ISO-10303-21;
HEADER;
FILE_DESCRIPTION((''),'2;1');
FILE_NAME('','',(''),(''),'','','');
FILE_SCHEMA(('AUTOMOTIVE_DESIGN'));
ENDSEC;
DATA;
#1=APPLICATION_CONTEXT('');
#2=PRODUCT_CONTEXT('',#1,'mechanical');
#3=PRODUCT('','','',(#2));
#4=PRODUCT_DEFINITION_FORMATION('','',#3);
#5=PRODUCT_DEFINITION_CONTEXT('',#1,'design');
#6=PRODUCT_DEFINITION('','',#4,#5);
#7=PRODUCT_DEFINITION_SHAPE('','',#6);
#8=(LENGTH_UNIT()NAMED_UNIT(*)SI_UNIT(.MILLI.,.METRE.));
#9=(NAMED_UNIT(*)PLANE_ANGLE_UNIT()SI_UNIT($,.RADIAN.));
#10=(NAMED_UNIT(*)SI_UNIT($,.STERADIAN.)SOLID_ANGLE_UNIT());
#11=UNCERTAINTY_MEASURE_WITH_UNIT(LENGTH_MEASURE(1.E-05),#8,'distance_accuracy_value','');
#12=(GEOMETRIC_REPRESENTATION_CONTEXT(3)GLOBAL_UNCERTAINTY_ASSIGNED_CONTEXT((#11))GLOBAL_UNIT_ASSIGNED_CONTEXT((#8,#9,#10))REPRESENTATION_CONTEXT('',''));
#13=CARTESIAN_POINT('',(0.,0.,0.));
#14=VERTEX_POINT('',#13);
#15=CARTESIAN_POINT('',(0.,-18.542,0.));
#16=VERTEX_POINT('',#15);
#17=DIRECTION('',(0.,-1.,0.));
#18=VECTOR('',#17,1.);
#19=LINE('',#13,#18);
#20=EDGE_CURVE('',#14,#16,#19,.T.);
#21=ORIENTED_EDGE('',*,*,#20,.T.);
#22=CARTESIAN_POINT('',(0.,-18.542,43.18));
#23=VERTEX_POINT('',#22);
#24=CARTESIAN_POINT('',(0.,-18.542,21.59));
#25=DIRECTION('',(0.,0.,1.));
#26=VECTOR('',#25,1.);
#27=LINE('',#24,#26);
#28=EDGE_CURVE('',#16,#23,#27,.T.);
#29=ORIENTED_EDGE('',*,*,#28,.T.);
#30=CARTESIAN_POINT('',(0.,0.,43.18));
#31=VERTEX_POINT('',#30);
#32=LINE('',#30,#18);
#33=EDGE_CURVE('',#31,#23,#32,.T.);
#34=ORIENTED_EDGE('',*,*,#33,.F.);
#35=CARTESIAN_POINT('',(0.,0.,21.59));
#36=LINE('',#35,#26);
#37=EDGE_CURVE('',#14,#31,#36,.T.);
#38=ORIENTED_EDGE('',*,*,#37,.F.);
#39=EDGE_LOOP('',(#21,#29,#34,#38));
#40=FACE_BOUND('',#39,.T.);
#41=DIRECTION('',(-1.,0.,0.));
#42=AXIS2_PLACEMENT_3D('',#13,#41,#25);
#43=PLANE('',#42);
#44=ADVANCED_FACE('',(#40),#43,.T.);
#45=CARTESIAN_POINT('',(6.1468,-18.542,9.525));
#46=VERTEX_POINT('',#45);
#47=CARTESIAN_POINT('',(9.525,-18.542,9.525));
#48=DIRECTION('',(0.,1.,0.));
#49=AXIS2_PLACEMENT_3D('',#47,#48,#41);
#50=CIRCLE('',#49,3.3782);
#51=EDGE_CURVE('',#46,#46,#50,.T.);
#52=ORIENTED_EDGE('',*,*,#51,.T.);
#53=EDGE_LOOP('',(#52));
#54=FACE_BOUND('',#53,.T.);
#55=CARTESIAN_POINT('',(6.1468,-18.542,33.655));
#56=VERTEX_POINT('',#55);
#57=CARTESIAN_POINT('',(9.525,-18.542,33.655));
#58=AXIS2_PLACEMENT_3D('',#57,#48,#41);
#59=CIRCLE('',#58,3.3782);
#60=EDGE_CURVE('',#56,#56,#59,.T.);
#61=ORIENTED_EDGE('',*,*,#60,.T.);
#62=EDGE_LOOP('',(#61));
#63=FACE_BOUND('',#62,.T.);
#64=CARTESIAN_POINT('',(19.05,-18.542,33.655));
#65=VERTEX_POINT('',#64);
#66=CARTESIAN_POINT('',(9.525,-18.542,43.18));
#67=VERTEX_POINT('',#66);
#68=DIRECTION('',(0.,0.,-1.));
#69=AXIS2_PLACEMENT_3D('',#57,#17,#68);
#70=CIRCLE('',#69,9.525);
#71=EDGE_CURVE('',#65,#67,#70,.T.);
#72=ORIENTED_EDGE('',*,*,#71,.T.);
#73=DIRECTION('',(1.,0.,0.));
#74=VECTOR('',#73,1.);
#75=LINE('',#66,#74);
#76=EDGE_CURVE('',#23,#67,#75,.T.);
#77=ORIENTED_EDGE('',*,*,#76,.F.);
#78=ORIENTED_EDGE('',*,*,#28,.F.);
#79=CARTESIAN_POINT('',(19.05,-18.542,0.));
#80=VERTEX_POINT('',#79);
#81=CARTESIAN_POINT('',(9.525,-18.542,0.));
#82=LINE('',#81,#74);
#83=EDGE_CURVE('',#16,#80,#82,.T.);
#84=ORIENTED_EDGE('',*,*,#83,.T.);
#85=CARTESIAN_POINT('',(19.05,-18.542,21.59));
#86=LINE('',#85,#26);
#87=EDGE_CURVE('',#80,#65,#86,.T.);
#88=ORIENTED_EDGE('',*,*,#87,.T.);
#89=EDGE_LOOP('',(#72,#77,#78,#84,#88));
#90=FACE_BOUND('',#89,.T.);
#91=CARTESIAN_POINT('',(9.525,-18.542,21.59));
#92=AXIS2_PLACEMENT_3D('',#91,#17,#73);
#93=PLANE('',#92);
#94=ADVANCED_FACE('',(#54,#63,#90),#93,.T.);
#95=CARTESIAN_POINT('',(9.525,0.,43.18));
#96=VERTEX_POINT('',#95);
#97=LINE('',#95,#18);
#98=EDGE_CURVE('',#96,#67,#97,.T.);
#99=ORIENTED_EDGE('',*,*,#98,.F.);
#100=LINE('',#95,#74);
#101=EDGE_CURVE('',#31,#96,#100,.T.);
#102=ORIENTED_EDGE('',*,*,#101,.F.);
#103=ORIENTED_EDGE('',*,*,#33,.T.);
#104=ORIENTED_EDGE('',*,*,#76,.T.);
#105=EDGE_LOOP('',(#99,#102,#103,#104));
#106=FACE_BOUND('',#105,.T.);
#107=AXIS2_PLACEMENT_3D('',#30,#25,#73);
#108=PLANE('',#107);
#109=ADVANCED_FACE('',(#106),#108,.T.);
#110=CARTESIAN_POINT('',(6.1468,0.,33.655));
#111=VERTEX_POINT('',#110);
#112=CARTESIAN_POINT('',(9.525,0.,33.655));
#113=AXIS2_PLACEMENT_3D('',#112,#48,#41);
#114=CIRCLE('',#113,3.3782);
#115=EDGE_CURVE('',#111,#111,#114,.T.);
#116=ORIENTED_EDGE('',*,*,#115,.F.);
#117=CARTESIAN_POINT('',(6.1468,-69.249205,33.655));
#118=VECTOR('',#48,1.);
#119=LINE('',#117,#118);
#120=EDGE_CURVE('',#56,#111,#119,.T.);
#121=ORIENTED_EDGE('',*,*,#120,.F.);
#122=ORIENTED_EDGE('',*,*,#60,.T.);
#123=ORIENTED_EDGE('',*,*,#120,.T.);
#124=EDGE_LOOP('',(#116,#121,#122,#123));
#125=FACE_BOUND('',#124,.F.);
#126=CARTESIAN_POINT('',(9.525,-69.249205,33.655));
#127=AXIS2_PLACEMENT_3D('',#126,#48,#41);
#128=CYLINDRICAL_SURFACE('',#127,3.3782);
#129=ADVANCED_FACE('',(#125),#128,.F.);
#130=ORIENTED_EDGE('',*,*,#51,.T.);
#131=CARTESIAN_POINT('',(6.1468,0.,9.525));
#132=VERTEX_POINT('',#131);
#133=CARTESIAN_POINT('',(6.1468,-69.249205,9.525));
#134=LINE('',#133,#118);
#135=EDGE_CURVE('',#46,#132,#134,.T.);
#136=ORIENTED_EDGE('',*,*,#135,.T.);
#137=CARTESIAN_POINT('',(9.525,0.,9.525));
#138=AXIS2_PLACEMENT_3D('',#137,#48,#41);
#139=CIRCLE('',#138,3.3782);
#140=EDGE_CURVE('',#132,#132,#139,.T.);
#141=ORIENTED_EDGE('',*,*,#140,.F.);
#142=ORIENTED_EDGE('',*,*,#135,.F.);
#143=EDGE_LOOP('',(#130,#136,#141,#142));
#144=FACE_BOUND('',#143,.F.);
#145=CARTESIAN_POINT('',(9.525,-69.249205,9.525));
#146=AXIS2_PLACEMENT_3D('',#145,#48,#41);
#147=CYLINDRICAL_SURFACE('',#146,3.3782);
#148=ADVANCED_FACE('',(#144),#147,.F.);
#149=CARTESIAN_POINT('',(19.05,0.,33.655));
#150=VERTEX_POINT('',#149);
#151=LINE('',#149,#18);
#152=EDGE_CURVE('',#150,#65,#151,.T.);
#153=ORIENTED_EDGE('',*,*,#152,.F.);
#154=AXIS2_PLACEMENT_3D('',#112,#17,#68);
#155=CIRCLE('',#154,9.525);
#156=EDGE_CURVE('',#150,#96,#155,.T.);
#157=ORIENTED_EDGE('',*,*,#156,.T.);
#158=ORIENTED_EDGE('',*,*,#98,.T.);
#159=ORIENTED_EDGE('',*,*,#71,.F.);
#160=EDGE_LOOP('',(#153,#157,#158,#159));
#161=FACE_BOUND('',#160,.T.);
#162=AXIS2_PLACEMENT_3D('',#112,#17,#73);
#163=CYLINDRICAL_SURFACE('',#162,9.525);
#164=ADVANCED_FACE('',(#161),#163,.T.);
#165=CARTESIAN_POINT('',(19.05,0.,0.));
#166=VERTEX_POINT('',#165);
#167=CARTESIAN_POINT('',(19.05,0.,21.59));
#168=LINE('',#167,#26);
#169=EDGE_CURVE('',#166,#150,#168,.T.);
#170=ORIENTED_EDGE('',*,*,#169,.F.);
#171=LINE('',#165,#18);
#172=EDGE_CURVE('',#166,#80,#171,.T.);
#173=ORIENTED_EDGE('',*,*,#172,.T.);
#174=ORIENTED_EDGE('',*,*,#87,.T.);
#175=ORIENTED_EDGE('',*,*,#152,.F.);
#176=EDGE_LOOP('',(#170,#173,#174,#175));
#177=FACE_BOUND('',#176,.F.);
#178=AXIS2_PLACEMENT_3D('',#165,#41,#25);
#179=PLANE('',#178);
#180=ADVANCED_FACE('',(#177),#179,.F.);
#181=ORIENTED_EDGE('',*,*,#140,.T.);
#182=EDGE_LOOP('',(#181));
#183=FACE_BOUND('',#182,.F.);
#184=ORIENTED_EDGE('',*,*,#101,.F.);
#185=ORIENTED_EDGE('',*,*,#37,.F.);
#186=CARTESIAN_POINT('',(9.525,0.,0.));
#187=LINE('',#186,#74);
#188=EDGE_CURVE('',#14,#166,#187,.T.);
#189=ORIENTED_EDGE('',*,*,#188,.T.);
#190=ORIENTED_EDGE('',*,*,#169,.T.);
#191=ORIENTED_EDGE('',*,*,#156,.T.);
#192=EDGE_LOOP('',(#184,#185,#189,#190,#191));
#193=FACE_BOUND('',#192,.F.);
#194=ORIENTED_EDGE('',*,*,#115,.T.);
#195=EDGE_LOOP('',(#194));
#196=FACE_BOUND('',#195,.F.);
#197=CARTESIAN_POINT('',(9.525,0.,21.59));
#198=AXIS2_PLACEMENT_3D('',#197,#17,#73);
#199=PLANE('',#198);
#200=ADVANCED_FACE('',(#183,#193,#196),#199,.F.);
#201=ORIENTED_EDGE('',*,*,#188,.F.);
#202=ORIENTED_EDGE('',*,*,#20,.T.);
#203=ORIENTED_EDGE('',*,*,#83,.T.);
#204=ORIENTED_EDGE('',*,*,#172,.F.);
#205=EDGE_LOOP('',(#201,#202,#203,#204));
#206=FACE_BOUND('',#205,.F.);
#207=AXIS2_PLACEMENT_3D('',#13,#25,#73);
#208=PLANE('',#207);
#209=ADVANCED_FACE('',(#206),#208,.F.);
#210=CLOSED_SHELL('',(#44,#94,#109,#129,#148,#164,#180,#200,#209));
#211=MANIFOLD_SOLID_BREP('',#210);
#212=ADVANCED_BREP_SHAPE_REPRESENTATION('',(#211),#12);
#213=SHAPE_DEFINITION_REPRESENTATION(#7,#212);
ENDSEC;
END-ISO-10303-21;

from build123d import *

# Parameters (mm, degrees)
F0_W     = 19.05
F0_H     = 43.18
F1_DEPTH = 18.542
F2_R     = 9.525
F4_D     = 6.7564


with BuildPart() as f1:
    # F0 (on Front) → F1 (new body)
    with BuildSketch(Plane.XZ):
        with Locations((9.525, 21.59)):
            Rectangle(F0_W, F0_H)
    extrude(amount=F1_DEPTH)

    # F2
    f2_edges = [f1.edges().sort_by_distance(p)[0] for p in [
        (19.05, -9.271, 43.18),
    ]]
    fillet(f2_edges, radius=F2_R)

    # F4 (through all)
    with Locations(Plane.XZ.offset(18.542)):
        with Locations((9.525, 33.655), (9.525, 9.525)):
            Hole(F4_D / 2)


solid = f1.part
